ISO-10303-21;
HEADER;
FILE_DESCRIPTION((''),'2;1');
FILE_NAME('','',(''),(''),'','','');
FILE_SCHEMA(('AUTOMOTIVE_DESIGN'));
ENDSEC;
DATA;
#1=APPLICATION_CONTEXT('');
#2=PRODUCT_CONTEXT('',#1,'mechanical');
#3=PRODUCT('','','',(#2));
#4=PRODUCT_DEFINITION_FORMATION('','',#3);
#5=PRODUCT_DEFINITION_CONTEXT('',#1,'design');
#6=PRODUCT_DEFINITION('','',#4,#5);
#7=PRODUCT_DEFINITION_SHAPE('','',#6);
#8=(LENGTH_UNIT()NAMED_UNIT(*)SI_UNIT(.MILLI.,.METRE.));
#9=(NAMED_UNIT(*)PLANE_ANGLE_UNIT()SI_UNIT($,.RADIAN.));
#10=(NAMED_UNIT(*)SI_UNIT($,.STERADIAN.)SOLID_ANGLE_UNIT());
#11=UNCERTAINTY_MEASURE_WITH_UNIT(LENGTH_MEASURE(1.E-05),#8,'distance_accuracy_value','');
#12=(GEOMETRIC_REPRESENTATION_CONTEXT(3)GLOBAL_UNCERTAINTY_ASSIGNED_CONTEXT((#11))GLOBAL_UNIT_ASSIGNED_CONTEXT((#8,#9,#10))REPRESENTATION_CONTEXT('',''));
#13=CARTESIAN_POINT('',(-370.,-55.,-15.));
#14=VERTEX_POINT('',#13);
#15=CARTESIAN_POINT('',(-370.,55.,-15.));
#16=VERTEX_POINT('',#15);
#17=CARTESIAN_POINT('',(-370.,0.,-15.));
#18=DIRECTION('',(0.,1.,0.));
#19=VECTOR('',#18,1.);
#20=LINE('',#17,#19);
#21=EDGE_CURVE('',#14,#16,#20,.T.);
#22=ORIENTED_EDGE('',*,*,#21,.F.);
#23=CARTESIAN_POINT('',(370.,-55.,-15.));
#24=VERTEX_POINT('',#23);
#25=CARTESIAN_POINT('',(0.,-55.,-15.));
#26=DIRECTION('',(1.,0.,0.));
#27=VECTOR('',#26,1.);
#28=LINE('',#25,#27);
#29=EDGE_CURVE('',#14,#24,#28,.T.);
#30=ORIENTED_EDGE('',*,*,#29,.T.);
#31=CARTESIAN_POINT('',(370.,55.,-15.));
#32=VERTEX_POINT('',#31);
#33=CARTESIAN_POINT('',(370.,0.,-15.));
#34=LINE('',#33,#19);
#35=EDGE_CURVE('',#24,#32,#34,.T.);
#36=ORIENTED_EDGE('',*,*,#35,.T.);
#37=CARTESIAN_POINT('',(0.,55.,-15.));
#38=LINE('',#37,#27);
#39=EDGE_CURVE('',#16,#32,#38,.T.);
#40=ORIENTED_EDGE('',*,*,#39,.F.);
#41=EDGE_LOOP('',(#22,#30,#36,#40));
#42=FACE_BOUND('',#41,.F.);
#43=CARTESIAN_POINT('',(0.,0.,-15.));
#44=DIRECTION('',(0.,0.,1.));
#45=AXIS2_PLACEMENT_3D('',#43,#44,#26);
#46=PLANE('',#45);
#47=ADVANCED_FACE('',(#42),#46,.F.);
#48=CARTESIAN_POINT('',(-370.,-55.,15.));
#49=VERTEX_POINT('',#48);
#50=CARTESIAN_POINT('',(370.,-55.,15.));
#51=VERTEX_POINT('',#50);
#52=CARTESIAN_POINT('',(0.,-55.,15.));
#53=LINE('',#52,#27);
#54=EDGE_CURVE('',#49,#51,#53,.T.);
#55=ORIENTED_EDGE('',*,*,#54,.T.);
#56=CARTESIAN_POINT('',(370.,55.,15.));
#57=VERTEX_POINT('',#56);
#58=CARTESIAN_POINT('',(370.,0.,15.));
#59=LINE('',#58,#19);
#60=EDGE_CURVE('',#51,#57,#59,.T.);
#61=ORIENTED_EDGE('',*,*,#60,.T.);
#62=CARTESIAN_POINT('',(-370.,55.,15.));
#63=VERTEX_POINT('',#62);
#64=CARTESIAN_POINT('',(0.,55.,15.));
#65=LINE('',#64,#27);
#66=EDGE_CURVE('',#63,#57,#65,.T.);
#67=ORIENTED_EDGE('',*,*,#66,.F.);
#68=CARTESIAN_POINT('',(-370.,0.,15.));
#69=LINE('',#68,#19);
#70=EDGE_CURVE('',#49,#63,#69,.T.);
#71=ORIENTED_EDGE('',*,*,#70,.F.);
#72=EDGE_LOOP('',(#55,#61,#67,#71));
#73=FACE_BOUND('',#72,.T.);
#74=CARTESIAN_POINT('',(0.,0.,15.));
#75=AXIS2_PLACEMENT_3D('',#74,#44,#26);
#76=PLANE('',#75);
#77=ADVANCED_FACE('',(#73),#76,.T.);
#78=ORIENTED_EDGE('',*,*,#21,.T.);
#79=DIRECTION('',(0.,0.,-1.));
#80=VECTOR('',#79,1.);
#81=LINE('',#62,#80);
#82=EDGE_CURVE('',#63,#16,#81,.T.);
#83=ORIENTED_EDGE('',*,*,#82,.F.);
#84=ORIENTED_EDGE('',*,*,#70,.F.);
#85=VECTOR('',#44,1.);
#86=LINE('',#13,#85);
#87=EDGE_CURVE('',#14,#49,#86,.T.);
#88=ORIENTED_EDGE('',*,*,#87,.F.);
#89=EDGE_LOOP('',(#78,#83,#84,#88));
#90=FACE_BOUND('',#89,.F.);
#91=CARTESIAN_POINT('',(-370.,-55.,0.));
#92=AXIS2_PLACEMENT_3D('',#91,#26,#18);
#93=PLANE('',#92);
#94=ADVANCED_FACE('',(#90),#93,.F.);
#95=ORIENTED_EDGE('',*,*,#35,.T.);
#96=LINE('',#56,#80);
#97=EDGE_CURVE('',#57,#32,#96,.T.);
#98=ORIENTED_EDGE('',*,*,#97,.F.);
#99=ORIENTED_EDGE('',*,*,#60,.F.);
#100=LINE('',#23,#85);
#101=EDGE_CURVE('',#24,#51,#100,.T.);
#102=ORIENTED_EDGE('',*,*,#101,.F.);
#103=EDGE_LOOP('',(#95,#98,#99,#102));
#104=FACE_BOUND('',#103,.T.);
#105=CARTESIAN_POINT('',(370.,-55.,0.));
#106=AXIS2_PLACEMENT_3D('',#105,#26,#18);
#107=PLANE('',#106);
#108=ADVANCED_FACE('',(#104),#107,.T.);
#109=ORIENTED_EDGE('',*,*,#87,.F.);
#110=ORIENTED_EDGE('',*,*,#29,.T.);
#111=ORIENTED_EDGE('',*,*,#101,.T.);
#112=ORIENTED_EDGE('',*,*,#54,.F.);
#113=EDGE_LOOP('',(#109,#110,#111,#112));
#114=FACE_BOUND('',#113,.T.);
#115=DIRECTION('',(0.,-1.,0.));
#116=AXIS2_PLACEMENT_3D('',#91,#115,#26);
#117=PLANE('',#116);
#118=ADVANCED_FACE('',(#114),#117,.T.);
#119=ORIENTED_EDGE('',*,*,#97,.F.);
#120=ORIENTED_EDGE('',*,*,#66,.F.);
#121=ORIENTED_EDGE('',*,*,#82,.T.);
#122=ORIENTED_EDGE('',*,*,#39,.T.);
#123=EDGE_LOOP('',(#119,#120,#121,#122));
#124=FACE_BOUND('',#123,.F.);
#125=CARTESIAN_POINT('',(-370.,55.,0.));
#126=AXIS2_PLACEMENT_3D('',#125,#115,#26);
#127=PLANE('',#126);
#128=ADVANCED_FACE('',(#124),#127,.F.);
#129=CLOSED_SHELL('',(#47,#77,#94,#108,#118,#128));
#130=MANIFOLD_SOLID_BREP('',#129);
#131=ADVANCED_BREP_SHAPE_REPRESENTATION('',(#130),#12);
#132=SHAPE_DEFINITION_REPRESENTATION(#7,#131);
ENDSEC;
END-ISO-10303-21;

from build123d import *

# Parameters (mm, degrees)
SKETCH_W  = 740
SKETCH_H  = 110
PAD_DEPTH = 15


with BuildPart() as part:
    # Sketch → Pad (new body, symmetric)
    with BuildSketch(Plane.XY):
        Rectangle(SKETCH_W, SKETCH_H)
    extrude(amount=PAD_DEPTH, both=True)


solid = part.part
